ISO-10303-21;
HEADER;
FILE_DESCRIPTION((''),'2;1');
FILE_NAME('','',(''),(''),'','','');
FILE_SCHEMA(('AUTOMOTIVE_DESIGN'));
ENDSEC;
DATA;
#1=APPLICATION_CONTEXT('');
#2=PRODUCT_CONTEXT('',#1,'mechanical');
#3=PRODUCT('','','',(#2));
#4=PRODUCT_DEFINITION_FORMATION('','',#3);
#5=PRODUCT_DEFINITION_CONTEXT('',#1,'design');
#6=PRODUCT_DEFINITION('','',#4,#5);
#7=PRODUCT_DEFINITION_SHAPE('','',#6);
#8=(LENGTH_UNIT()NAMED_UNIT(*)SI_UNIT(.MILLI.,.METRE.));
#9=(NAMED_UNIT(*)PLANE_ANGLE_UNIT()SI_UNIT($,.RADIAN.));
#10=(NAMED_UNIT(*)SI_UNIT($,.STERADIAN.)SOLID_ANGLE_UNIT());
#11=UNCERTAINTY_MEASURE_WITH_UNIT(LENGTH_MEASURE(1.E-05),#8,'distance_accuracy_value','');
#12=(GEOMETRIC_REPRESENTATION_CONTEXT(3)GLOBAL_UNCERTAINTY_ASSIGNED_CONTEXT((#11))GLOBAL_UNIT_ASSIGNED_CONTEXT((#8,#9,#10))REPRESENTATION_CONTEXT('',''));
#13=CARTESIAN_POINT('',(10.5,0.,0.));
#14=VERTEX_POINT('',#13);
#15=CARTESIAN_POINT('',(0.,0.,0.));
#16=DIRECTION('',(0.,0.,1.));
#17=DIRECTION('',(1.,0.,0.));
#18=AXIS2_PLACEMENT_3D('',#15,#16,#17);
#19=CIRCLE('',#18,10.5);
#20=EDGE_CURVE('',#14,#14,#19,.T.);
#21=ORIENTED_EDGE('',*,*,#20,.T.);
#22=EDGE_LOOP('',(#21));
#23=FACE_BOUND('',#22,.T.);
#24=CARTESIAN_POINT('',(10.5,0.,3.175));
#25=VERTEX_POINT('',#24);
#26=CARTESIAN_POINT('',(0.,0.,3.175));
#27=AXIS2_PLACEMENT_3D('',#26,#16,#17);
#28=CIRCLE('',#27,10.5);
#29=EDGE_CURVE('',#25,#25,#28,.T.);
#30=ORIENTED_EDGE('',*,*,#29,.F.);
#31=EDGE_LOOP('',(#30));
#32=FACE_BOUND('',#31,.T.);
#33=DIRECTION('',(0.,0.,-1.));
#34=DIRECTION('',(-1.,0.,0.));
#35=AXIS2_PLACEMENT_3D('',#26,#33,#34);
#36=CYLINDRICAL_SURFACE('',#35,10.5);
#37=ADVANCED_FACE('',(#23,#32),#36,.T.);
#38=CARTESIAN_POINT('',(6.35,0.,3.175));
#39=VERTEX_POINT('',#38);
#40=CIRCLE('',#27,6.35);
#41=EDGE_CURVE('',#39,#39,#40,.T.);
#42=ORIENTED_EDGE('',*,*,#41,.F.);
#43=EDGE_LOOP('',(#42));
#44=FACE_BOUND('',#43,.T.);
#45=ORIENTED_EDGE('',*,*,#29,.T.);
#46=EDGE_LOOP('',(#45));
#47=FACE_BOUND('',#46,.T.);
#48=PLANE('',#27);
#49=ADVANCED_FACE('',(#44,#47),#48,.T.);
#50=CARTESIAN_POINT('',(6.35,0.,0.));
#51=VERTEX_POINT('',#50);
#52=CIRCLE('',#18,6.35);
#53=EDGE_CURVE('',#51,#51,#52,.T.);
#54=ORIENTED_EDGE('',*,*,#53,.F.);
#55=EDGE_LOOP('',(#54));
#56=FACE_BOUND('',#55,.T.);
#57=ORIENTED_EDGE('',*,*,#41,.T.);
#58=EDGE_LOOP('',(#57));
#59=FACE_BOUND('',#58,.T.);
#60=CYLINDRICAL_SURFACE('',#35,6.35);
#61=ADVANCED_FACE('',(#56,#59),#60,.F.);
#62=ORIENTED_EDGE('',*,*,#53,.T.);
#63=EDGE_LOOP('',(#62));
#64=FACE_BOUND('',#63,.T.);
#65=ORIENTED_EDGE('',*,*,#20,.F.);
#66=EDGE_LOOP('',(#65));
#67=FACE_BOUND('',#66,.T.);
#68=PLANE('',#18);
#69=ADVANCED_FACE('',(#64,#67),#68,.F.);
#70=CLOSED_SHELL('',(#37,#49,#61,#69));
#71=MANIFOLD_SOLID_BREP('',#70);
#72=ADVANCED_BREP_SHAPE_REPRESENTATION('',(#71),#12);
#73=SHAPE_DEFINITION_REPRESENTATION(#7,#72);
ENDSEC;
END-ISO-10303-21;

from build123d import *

# Parameters (mm, degrees)
SKETCH1_R           = 10.5
SKETCH1_R_2         = 7.5
BOSS_EXTRUDE1_DEPTH = 3.175
SKETCH2_R           = 7.5
SKETCH2_R_2         = 6.35
BOSS_EXTRUDE2_DEPTH = 3.175


with BuildPart() as part:
    # Sketch1 → Boss-Extrude1 (new body)
    with BuildSketch(Plane.XY):
        Circle(SKETCH1_R)
        Circle(SKETCH1_R_2, mode=Mode.SUBTRACT)
    extrude(amount=BOSS_EXTRUDE1_DEPTH)

    # Sketch2 → Boss-Extrude2 (add)
    with BuildSketch(Plane.XY):
        Circle(SKETCH2_R)
        Circle(SKETCH2_R_2, mode=Mode.SUBTRACT)
    extrude(amount=BOSS_EXTRUDE2_DEPTH)


solid = part.part
